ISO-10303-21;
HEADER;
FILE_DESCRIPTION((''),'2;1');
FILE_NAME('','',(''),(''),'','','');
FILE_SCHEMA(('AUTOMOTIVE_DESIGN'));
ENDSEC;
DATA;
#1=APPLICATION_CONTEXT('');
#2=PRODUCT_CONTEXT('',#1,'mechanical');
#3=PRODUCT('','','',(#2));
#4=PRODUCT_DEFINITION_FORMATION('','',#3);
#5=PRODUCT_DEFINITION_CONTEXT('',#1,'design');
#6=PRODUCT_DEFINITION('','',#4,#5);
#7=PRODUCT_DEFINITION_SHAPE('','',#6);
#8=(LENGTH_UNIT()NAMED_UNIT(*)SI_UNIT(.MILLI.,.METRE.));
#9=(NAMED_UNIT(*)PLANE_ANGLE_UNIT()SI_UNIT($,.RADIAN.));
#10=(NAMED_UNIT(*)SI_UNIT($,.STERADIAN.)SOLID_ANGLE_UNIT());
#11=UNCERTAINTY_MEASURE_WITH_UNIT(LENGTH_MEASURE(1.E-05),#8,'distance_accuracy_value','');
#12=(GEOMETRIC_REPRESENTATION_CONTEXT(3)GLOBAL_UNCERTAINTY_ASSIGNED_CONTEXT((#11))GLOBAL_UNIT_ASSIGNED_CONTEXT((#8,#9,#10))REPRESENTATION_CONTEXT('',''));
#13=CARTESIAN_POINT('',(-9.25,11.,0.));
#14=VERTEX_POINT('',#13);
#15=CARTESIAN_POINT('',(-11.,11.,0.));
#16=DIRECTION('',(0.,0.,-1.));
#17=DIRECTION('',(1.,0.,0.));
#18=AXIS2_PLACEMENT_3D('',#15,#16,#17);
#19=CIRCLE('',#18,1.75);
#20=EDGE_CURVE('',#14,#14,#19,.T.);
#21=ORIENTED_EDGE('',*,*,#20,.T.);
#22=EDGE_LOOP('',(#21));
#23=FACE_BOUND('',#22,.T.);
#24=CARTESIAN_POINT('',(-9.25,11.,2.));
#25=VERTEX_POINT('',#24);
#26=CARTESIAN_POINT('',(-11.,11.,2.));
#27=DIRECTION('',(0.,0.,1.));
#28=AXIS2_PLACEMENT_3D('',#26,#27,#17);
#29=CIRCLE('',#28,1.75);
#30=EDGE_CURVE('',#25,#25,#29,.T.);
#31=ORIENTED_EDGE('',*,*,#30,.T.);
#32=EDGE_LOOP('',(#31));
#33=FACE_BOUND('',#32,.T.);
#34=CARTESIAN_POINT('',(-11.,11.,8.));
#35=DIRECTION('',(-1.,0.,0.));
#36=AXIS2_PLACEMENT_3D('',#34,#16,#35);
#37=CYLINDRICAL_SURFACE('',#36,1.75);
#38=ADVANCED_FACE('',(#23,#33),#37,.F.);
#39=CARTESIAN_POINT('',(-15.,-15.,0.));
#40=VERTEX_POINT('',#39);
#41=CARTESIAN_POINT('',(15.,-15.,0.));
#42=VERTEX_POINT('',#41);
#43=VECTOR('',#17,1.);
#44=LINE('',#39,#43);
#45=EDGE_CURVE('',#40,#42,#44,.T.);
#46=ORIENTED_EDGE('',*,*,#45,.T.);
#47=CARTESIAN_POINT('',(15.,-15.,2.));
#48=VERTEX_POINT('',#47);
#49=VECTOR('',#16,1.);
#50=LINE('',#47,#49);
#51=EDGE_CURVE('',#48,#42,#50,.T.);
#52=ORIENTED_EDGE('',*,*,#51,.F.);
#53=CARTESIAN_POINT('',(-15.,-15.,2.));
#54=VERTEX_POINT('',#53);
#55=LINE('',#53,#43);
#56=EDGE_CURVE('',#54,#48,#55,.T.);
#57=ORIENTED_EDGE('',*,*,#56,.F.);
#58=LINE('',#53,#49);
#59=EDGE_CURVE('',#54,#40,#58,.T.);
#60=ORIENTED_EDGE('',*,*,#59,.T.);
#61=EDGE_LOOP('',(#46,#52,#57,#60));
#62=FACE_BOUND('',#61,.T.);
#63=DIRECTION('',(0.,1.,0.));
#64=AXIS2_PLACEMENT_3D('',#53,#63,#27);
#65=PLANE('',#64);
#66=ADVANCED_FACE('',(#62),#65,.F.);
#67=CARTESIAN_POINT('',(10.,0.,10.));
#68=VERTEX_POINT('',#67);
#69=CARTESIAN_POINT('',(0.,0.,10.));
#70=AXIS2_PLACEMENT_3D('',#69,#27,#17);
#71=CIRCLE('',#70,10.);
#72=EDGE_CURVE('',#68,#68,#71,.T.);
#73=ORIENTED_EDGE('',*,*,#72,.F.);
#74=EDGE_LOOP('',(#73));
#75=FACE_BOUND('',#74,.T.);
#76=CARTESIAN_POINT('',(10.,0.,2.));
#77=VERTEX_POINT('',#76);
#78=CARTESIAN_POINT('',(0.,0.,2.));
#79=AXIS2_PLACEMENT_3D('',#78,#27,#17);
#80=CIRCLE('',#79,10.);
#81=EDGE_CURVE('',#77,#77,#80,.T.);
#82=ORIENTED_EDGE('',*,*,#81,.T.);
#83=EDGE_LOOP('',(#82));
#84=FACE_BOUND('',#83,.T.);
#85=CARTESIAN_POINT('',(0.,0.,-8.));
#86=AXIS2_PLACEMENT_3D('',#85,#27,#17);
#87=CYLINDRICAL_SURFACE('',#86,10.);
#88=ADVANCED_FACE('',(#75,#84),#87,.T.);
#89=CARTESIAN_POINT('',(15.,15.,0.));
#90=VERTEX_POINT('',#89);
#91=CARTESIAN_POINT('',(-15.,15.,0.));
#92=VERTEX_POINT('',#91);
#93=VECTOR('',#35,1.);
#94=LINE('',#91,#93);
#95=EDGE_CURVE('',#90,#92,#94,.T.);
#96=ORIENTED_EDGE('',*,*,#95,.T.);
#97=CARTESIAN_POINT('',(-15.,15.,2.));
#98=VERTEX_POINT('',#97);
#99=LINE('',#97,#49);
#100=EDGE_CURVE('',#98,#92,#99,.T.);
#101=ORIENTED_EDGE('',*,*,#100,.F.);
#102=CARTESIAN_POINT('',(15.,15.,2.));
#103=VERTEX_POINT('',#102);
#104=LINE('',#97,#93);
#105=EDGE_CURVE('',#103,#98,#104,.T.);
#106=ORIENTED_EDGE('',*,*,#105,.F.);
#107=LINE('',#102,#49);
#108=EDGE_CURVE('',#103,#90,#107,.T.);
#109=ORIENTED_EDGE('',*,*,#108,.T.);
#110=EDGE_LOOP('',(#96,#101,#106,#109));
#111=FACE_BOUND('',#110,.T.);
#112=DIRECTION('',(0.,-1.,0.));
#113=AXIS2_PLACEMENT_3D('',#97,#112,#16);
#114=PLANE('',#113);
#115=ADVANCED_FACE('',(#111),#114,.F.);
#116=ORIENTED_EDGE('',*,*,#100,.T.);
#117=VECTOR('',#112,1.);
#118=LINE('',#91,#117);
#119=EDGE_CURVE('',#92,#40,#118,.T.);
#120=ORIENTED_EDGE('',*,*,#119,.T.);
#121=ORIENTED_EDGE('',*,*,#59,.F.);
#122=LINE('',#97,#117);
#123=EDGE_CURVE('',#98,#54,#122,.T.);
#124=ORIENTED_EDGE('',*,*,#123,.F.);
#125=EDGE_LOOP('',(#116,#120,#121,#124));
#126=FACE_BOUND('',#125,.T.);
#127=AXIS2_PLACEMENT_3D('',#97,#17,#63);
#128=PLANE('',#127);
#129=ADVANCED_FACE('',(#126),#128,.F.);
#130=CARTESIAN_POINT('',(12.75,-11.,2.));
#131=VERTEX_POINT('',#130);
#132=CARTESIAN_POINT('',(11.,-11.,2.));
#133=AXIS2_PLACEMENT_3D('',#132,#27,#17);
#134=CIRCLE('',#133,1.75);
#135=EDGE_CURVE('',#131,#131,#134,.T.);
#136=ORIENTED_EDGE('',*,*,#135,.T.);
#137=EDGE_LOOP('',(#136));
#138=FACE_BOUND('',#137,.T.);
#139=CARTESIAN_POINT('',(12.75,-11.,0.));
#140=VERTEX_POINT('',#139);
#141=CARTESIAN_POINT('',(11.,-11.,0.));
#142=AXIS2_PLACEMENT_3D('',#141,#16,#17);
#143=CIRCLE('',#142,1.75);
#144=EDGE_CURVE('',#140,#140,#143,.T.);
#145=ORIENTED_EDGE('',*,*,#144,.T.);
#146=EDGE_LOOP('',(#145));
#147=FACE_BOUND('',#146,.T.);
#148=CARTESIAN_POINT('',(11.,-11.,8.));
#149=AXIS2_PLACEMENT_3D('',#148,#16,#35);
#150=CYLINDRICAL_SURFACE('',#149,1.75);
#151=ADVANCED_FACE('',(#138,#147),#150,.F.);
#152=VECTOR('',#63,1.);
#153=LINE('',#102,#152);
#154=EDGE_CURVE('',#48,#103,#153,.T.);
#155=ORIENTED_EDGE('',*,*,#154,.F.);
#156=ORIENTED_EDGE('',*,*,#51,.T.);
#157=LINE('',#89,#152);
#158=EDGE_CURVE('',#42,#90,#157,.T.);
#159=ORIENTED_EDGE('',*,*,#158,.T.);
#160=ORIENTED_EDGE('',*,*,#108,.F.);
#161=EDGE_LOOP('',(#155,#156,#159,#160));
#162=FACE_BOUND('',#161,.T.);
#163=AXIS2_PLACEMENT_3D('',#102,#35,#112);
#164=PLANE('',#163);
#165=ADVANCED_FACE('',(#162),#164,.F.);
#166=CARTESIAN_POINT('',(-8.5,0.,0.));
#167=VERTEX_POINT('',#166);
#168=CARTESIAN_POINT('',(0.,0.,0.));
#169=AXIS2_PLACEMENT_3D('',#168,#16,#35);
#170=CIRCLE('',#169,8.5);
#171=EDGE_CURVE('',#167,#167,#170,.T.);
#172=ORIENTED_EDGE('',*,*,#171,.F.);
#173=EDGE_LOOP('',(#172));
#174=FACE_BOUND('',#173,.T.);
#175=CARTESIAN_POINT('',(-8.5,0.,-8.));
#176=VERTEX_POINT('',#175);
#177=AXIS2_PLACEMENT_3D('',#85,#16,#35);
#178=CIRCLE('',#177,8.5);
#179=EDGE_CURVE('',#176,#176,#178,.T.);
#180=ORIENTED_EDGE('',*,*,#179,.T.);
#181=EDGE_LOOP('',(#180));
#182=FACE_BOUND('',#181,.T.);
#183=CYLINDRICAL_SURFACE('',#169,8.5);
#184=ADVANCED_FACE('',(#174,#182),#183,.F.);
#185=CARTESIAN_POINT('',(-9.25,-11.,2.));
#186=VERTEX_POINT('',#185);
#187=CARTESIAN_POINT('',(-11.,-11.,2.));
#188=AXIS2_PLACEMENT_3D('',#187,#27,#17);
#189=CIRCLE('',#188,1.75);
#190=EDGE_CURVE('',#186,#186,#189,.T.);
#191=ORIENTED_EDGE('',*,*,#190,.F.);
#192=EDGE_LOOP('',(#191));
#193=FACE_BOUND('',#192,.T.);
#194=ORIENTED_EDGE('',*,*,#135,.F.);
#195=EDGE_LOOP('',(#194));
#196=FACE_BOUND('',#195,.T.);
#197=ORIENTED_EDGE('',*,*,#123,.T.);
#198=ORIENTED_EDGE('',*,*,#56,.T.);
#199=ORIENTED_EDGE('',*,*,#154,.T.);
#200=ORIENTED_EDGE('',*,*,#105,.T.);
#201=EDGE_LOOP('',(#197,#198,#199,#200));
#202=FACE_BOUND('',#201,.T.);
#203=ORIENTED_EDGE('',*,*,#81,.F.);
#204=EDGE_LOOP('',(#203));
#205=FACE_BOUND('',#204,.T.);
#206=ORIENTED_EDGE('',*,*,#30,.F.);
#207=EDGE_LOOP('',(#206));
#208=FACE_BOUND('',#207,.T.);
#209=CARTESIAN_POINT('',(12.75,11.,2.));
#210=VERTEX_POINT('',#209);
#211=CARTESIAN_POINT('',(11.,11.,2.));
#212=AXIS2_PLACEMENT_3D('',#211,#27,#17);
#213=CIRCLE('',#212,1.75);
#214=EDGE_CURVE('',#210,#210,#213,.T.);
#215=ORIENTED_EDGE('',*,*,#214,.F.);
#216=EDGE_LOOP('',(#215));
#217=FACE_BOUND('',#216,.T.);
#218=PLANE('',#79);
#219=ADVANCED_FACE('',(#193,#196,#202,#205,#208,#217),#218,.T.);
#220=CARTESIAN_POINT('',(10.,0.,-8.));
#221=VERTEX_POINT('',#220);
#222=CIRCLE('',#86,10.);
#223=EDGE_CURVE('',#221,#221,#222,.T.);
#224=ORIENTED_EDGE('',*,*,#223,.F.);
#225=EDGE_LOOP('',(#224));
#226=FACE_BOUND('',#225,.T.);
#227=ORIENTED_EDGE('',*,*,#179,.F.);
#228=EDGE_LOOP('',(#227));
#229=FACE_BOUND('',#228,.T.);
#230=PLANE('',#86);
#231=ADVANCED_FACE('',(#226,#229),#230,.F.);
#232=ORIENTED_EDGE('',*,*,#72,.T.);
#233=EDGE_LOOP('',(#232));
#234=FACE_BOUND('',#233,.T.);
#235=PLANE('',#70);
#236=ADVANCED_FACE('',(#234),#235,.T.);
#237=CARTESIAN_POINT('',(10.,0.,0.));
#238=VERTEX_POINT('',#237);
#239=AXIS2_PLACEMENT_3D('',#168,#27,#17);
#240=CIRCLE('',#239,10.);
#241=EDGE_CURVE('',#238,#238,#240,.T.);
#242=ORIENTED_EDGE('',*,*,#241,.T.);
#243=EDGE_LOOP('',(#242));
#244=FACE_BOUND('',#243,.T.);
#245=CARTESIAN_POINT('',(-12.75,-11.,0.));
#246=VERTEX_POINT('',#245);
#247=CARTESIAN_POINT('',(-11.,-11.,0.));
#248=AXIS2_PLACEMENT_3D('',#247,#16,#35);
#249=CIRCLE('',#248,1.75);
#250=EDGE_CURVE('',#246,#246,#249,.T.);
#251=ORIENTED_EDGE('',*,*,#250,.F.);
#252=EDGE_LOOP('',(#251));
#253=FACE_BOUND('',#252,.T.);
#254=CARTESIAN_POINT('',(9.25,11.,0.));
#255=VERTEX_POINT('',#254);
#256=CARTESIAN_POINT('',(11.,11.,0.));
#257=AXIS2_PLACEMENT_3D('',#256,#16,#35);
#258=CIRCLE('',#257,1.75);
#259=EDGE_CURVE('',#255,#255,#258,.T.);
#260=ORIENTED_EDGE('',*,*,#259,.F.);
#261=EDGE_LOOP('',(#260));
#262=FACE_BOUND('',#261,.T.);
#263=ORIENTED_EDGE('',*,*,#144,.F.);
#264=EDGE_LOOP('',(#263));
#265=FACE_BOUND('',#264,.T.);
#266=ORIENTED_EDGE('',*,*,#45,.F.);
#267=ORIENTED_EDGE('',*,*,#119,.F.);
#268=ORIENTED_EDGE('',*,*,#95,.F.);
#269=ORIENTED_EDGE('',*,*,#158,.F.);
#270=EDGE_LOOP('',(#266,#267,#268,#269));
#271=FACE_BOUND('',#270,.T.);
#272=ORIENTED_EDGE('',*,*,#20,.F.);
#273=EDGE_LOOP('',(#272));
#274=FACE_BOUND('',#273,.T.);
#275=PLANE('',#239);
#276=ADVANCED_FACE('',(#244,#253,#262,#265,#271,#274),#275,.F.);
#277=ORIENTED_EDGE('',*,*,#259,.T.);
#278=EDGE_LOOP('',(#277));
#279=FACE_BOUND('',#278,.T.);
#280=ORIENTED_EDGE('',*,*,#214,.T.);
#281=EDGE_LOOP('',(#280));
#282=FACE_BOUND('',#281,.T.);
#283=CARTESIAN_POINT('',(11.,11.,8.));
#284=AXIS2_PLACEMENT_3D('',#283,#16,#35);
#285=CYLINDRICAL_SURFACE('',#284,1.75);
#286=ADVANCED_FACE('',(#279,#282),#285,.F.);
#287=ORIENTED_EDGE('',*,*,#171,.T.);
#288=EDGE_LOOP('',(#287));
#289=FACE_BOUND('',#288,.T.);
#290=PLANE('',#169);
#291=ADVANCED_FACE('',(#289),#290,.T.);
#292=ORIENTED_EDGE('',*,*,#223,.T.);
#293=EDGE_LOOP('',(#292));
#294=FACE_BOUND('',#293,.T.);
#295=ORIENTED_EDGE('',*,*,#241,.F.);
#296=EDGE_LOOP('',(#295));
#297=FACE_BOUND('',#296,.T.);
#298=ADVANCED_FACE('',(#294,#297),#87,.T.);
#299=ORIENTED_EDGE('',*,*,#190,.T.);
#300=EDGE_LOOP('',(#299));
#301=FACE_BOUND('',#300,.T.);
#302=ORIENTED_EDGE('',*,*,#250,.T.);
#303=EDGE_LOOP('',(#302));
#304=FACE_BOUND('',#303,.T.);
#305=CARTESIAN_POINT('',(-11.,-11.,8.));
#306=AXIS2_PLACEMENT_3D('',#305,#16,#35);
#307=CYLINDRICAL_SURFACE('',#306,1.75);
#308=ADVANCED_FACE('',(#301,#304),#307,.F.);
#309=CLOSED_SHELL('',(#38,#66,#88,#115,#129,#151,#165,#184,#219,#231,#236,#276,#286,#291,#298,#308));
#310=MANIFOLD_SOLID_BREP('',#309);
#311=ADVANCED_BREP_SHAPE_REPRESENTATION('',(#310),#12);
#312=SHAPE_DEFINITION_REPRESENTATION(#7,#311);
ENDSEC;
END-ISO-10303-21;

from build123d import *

# Parameters (mm, degrees)
SKETCH_1_W           = 30
SKETCH_1_H           = 30
EXTRUDE_1_DEPTH      = 2
EXTRUDE_2_DEPTH      = 8
EXTRUDE_2_DEPTH_BACK = 10
SKETCH_2_R           = 10
SKETCH_3_R           = 8.5
CUT_EXTRUDE_1_DEPTH  = 8
SKETCH_4_R           = 1.75
CUT_EXTRUDE_2_DEPTH  = 8


with BuildPart() as part:
    # 草图1 → 凸台-拉伸1 (new body)
    with BuildSketch(Plane.XY):
        Rectangle(SKETCH_1_W, SKETCH_1_H)
    extrude(amount=EXTRUDE_1_DEPTH)

    # 草图2 → 凸台-拉伸2 (add, two sides: drawn at the far end of the back side and taken through both)
    with BuildSketch(Plane.XY.offset(2).offset(-EXTRUDE_2_DEPTH_BACK)):
        Circle(SKETCH_2_R)
    extrude(amount=EXTRUDE_2_DEPTH + EXTRUDE_2_DEPTH_BACK)

    # 草图3 → 切除-拉伸1 (cut)
    with BuildSketch(Plane(origin=(0, 0, -8), x_dir=(-1, 0, 0), z_dir=(0, 0, -1))):
        Circle(SKETCH_3_R)
    extrude(amount=-CUT_EXTRUDE_1_DEPTH, mode=Mode.SUBTRACT)

    # 草图4 → 切除-拉伸2 (cut)
    with BuildSketch(Plane(origin=(0, 0, 0), x_dir=(-1, 0, 0), z_dir=(0, 0, -1))):
        with Locations((-11, 11)):
            Circle(SKETCH_4_R)
        with Locations(Location((11, 11, 0), (0, 0, 180))):
            Circle(SKETCH_4_R)
        with Locations((11, -11)):
            Circle(SKETCH_4_R)
        with Locations(Location((-11, -11, 0), (0, 0, 180))):
            Circle(SKETCH_4_R)
    extrude(amount=-CUT_EXTRUDE_2_DEPTH, mode=Mode.SUBTRACT)


solid = part.part
